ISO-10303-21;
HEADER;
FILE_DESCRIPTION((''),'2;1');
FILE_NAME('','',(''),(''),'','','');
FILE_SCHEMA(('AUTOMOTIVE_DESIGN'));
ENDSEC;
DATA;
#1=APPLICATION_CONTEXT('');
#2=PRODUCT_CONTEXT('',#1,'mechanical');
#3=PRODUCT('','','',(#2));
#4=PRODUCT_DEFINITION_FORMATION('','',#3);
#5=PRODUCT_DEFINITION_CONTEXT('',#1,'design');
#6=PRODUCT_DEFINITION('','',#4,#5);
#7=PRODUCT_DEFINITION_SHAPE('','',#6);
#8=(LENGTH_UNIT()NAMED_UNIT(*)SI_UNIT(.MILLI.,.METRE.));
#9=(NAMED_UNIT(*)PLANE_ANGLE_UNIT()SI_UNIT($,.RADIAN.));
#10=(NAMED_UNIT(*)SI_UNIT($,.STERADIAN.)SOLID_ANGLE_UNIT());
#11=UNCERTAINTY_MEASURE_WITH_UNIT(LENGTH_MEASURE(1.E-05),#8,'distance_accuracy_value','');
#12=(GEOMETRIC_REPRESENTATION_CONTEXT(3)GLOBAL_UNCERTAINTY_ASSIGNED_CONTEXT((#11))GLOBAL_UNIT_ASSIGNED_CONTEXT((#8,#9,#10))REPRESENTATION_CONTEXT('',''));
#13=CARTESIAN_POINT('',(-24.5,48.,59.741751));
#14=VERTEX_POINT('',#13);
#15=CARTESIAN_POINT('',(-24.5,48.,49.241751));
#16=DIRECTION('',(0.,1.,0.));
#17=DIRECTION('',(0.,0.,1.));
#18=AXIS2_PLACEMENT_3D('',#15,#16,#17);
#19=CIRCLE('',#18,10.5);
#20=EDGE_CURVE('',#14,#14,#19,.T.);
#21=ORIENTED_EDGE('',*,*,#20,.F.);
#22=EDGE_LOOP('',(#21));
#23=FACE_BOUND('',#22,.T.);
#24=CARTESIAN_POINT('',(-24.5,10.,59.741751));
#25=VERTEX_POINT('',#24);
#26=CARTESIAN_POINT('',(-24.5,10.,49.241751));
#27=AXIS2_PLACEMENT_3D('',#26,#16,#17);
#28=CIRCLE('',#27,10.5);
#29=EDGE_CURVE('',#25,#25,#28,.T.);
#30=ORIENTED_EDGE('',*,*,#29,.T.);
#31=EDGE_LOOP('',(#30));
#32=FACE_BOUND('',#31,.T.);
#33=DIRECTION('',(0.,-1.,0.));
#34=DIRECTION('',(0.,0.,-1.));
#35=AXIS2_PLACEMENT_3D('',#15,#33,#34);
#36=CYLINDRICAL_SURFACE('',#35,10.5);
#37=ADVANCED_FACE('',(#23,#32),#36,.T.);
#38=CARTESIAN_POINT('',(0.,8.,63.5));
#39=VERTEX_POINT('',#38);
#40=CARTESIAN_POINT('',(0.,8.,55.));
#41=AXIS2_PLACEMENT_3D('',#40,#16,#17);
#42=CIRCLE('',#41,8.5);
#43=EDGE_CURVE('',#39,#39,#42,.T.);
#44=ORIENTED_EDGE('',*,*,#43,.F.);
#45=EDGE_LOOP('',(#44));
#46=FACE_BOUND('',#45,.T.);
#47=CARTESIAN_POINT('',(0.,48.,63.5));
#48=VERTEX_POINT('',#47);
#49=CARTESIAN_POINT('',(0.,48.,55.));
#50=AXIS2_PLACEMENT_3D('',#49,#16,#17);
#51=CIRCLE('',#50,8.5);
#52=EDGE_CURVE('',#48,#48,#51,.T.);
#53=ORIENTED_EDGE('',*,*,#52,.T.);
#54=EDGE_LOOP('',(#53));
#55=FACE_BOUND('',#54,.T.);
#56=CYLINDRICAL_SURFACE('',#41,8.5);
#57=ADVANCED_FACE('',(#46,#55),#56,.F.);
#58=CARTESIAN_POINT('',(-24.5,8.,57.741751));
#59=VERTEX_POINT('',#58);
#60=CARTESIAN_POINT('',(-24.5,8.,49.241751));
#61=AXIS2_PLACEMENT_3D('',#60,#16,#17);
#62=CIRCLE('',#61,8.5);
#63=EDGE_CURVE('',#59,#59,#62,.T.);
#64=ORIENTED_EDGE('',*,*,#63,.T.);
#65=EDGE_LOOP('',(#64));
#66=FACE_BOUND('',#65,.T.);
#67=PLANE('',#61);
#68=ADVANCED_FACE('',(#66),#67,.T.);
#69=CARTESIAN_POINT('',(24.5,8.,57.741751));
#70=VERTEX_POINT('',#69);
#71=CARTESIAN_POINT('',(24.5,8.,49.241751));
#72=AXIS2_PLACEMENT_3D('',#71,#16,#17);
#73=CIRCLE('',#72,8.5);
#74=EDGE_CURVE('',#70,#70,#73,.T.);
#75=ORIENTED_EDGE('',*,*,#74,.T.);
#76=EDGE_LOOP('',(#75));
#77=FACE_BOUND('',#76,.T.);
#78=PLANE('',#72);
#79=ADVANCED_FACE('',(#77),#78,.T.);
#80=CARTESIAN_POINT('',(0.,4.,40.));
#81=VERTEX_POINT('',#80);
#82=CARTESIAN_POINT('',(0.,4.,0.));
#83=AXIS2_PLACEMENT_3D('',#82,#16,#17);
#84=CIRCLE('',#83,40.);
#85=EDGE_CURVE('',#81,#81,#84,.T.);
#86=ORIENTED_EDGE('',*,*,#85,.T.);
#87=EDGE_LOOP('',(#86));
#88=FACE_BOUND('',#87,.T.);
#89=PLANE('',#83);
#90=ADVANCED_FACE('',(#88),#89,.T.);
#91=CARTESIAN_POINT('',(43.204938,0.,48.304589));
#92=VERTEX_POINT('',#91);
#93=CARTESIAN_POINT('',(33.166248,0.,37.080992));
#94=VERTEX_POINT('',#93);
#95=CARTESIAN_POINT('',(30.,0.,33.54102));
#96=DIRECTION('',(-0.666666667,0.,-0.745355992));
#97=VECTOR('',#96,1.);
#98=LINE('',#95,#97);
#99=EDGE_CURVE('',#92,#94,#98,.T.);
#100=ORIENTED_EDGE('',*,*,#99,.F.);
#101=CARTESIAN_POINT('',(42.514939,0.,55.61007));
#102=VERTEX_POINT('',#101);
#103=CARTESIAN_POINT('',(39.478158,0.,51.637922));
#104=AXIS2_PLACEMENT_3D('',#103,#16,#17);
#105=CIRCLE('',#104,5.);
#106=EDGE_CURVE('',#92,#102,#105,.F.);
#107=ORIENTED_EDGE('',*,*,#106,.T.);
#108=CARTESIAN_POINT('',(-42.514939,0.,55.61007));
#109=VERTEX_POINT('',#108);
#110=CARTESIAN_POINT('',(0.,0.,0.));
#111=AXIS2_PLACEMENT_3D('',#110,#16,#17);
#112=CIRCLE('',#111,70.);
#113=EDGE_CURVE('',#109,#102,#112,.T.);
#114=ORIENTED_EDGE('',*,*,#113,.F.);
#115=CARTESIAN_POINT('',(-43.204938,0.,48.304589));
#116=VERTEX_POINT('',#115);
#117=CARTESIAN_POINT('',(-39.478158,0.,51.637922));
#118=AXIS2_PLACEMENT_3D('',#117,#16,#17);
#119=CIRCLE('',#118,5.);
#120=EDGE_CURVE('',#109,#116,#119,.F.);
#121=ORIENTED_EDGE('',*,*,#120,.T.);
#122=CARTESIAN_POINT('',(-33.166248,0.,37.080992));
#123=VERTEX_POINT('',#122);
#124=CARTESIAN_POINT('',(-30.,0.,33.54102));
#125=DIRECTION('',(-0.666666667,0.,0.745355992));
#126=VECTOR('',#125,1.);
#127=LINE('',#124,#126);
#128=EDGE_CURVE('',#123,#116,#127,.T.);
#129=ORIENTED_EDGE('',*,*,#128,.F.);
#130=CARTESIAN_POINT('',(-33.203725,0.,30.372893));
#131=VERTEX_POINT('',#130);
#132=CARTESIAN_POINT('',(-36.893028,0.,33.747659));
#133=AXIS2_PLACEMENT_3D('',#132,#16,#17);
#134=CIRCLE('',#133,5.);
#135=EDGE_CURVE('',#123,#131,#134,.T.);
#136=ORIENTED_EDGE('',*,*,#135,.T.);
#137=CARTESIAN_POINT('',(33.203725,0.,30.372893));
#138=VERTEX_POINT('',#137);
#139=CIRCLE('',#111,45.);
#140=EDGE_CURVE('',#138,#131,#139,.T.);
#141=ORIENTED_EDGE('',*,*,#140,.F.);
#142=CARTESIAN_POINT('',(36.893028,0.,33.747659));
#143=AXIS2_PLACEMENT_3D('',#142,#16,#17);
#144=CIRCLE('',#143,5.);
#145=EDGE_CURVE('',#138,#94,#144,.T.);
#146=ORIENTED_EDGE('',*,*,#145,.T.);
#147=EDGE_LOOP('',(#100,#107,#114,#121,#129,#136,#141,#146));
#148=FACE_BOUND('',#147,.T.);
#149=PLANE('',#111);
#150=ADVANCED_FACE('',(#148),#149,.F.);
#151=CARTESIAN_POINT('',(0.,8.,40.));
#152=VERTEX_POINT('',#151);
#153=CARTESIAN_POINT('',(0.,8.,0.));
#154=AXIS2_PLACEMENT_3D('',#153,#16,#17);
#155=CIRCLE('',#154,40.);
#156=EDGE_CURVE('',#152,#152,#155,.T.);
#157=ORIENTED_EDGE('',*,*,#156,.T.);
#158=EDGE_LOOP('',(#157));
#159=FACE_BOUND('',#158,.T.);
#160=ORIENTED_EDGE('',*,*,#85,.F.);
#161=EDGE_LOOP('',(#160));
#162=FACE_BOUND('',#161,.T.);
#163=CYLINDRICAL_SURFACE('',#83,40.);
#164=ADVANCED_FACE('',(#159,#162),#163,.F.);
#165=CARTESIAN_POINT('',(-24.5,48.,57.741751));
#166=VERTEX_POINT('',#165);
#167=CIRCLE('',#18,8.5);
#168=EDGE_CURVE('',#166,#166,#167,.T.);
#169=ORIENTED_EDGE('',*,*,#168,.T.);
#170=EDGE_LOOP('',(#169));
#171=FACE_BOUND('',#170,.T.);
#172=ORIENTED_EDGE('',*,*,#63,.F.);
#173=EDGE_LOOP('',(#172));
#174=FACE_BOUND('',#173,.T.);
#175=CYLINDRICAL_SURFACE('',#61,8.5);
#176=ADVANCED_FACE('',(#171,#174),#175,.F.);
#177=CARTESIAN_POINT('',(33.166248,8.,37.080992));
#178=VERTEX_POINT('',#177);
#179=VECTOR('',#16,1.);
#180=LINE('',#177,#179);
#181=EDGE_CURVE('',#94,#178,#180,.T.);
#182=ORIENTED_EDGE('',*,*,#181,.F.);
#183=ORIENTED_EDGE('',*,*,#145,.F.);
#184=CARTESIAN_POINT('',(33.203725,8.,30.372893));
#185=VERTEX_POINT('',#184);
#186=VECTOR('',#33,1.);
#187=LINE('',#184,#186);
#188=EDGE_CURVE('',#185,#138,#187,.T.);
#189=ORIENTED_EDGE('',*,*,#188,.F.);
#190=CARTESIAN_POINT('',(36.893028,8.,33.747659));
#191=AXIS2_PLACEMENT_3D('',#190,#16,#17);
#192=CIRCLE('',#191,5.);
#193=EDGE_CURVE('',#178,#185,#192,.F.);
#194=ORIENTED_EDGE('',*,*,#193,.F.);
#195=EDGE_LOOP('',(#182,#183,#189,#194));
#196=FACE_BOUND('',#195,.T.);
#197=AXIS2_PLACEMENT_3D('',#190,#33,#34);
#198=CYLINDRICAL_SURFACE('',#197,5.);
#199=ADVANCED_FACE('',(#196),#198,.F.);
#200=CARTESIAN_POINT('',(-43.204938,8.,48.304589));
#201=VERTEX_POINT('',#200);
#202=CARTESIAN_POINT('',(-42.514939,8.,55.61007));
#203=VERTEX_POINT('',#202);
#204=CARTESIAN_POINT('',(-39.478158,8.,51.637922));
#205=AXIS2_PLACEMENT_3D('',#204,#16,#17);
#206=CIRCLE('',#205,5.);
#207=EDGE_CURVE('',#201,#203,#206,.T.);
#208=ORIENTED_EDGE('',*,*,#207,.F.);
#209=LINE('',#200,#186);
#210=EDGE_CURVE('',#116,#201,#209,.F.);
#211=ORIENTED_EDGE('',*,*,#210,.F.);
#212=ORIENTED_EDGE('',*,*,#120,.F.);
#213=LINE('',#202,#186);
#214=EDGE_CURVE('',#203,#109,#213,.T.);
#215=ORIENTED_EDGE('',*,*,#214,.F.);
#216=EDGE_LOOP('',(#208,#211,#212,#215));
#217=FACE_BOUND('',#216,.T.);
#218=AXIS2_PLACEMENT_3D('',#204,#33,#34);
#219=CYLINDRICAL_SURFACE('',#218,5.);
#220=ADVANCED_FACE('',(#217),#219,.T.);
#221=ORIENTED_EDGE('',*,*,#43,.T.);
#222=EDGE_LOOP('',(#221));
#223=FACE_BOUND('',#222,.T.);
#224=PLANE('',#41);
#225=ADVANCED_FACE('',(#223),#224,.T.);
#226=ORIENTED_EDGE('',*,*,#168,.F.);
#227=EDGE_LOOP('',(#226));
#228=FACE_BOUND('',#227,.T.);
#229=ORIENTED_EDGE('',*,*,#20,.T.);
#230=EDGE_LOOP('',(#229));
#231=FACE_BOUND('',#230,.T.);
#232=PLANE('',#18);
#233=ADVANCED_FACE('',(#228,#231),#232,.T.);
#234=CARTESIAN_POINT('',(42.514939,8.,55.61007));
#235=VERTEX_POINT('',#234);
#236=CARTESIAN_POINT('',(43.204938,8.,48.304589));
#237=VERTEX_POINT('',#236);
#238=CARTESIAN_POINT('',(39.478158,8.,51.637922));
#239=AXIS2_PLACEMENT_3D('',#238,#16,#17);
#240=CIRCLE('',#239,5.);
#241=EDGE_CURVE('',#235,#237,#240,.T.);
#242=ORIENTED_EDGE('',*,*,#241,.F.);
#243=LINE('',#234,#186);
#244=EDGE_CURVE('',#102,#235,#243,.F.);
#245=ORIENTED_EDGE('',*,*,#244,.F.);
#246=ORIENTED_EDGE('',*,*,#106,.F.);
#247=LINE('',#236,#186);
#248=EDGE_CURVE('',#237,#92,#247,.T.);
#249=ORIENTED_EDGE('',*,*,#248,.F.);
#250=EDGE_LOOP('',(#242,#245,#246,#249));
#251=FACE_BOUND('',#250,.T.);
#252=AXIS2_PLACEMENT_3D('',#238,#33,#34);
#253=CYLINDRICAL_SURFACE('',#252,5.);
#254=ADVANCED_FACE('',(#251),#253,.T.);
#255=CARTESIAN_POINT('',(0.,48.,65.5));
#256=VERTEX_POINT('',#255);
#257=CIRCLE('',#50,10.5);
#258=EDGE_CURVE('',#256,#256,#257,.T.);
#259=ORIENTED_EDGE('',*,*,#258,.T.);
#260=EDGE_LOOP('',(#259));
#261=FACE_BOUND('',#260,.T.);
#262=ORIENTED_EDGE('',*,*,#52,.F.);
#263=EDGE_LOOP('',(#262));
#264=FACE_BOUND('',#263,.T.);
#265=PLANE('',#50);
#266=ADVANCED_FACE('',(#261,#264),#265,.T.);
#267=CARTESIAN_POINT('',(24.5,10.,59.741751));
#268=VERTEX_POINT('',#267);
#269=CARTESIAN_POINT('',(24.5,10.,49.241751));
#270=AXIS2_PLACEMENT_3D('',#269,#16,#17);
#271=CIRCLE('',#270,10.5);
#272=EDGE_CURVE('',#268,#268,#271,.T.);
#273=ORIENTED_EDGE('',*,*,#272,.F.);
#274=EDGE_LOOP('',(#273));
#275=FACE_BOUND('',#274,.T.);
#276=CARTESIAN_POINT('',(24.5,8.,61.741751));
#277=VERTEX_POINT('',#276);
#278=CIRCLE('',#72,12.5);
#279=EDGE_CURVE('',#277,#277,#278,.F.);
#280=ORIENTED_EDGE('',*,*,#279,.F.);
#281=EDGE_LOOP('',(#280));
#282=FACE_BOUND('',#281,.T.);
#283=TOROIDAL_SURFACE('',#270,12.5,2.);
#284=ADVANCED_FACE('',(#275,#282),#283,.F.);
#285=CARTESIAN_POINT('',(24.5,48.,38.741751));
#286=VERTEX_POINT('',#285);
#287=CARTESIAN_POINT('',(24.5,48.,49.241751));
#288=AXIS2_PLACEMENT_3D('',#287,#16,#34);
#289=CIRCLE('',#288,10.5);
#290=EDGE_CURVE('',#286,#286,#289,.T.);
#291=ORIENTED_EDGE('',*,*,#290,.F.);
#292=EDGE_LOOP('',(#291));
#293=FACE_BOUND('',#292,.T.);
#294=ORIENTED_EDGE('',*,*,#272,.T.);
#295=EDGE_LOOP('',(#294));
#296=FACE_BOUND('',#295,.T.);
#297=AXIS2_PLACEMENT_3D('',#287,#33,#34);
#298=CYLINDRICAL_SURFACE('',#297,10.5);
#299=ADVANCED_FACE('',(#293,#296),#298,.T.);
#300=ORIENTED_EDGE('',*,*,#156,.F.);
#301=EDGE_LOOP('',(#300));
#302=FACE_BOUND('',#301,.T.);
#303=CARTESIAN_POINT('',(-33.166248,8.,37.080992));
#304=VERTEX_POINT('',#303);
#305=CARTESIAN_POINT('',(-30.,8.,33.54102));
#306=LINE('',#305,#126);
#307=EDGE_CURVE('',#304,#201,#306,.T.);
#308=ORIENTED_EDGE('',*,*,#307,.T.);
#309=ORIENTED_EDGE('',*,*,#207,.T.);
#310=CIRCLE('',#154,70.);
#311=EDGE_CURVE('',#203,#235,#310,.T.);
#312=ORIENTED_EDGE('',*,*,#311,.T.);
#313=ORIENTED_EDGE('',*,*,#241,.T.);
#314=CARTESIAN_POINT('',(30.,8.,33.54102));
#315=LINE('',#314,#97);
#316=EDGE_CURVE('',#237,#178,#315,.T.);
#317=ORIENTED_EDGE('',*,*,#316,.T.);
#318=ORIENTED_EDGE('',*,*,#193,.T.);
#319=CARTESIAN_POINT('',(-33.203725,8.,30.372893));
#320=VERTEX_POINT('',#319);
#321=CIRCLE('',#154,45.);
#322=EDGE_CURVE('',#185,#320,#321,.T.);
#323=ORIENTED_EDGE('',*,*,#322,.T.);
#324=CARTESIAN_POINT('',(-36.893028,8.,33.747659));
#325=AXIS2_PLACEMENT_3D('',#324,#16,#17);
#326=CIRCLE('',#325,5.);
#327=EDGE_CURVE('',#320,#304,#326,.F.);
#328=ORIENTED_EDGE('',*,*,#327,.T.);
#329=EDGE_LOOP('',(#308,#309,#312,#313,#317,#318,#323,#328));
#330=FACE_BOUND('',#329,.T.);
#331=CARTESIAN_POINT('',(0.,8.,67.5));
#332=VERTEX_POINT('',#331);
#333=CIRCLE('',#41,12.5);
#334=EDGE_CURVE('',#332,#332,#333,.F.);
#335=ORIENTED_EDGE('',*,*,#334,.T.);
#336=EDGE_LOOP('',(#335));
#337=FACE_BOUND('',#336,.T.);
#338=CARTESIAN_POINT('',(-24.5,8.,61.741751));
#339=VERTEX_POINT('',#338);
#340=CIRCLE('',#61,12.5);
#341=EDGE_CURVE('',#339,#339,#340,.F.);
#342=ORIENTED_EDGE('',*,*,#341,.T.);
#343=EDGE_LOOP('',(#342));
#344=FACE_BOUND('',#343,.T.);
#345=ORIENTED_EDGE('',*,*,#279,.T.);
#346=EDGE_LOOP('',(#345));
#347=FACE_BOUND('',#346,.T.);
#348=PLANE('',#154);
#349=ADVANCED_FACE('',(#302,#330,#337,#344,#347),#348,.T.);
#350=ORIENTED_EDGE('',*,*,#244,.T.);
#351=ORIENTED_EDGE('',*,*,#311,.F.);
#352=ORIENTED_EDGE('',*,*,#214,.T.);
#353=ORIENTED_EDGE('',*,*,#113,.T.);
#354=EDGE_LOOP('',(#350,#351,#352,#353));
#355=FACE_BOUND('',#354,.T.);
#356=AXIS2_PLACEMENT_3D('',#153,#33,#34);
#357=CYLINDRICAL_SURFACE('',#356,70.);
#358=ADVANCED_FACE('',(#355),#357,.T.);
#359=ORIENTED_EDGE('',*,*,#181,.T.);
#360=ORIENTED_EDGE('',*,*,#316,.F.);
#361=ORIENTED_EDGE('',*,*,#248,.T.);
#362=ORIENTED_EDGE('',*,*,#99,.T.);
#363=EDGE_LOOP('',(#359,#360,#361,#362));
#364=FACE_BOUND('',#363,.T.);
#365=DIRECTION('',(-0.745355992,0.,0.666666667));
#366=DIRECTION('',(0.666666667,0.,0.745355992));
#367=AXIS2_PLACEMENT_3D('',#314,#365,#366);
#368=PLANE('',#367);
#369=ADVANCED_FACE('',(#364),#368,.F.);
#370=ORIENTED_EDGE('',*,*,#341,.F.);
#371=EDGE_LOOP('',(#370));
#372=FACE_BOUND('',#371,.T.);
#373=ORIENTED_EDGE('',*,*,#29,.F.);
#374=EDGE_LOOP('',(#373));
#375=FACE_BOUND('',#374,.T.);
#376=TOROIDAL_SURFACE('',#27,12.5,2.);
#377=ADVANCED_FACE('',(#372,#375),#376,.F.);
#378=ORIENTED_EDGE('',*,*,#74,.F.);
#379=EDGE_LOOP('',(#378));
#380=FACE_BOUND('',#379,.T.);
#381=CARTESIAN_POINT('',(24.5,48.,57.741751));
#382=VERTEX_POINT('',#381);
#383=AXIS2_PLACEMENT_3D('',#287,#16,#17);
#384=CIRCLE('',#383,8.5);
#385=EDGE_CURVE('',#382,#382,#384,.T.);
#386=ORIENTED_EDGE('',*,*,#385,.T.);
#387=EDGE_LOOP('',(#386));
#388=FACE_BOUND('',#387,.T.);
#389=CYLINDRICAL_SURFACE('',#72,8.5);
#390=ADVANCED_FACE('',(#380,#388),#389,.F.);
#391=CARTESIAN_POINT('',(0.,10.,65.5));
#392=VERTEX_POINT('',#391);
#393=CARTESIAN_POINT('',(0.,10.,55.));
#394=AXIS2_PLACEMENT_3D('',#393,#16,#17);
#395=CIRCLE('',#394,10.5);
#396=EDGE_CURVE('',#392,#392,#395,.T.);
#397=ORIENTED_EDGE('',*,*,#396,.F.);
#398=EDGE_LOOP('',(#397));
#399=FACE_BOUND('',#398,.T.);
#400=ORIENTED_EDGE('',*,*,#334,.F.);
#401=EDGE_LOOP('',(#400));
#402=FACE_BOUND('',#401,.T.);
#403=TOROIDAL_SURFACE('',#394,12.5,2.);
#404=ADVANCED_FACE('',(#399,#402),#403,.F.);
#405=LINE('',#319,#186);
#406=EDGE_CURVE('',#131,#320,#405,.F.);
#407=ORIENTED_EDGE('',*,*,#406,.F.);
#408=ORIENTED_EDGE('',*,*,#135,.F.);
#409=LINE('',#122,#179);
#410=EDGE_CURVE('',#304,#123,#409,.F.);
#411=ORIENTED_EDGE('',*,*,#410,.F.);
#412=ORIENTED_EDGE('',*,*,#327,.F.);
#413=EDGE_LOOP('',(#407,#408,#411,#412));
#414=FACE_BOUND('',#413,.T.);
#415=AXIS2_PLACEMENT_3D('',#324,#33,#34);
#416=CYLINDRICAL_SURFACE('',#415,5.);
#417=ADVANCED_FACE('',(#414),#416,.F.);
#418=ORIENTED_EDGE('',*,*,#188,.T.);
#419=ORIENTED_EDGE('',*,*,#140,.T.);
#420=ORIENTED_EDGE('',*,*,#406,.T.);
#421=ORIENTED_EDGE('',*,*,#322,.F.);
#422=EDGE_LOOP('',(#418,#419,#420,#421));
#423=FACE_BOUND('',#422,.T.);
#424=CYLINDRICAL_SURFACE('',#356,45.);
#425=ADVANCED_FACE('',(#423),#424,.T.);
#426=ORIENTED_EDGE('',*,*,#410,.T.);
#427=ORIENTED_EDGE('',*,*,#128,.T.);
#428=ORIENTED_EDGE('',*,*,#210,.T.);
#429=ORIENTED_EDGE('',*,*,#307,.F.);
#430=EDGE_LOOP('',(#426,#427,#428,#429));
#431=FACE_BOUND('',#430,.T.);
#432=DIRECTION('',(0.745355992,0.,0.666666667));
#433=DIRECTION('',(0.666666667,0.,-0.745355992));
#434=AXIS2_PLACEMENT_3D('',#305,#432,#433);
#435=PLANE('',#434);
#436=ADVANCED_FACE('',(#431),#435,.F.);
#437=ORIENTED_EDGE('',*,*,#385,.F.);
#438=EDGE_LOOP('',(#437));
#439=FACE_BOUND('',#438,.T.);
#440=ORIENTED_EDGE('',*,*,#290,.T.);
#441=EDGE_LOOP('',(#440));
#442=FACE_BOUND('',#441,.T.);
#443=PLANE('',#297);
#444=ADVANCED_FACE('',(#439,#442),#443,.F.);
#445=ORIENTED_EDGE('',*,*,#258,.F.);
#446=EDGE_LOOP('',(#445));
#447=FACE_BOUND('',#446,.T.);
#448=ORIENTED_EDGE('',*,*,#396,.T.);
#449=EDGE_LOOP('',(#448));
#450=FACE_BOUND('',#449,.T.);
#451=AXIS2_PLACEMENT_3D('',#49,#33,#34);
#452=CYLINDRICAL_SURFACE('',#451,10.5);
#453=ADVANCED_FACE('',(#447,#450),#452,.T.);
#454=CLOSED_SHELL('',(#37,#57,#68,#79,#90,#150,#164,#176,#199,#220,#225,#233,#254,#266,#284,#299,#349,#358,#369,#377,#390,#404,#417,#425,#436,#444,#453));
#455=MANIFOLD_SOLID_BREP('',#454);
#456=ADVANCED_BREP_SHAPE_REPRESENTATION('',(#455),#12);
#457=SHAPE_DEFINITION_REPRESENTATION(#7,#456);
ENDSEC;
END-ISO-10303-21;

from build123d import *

# Parameters (mm, degrees)
BOSS_EXTRU_1_DEPTH      = 8
ESQUISSE2_R             = 40
ENL_V_MAT_EXTRU_1_DEPTH = 4
ESQUISSE4_R             = 10.5
BOSS_EXTRU_2_DEPTH      = 40
ESQUISSE5_R             = 8.5
ENL_V_MAT_EXTRU_2_DEPTH = 40
CONG_1_R                = 5
CONG_4_R                = 2


with BuildPart() as part:
    # Esquisse1 → Boss.-Extru.1 (new body)
    with BuildSketch(Plane(origin=(0, 0, 0), x_dir=(1, 0, 0), z_dir=(0, 1, 0))):
        with BuildLine():
            Line((-30, -33.541019662), (-46.666666667, -52.174919475))
            ThreePointArc((-46.666666667, -52.174919475), (0, -70), (46.666666667, -52.174919475))
            Line((46.666666667, -52.174919475), (30, -33.541019662))
            ThreePointArc((30, -33.541019662), (0, 45), (-30, -33.541019662))
        make_face()
    extrude(amount=BOSS_EXTRU_1_DEPTH)

    # Esquisse2 → Enlèv. mat.-Extru.1 (cut)
    with BuildSketch(Plane(origin=(0, 8, 0), x_dir=(1, 0, 0), z_dir=(0, 1, 0))):
        with Locations(Location((0, 0, 0), (0, 0, 270))):
            Circle(ESQUISSE2_R)
    extrude(amount=-ENL_V_MAT_EXTRU_1_DEPTH, mode=Mode.SUBTRACT)

    # Esquisse4 → Boss.-Extru.2 (add)
    with BuildSketch(Plane(origin=(0, 8, 0), x_dir=(1, 0, 0), z_dir=(0, 1, 0))):
        with Locations(Location((0, -55, 0), (0, 0, 270))):
            Circle(ESQUISSE4_R)
        with Locations(Location((-24.5, -49.241750578, 0), (0, 0, 270))):
            Circle(ESQUISSE4_R)
        with Locations(Location((24.5, -49.241750578, 0), (0, 0, 90))):
            Circle(ESQUISSE4_R)
    extrude(amount=BOSS_EXTRU_2_DEPTH)

    # Esquisse5 → Enlèv. mat.-Extru.2 (cut)
    with BuildSketch(Plane(origin=(0, 48, 0), x_dir=(1, 0, 0), z_dir=(0, 1, 0))):
        with Locations(Location((0, -55, 0), (0, 0, 270))):
            Circle(ESQUISSE5_R)
        with Locations(Location((-24.5, -49.241750578, 0), (0, 0, 270))):
            Circle(ESQUISSE5_R)
        with Locations(Location((24.5, -49.241750578, 0), (0, 0, 270))):
            Circle(ESQUISSE5_R)
    extrude(amount=-ENL_V_MAT_EXTRU_2_DEPTH, mode=Mode.SUBTRACT)

    # Congé1
    cong_1_edges = [part.edges().sort_by_distance(p)[0] for p in [
        (30, 4, 33.541019662),
        (46.666666667, 4, 52.174919475),
        (-46.666666667, 4, 52.174919475),
        (-30, 4, 33.541019662),
    ]]
    fillet(cong_1_edges, radius=CONG_1_R)

    # Congé4
    cong_4_edges = [part.edges().sort_by_distance(p)[0] for p in [
        (0, 8, 44.5),
        (-24.5, 8, 38.741750578),
        (24.5, 8, 59.741750578),
    ]]
    fillet(cong_4_edges, radius=CONG_4_R)


solid = part.part
